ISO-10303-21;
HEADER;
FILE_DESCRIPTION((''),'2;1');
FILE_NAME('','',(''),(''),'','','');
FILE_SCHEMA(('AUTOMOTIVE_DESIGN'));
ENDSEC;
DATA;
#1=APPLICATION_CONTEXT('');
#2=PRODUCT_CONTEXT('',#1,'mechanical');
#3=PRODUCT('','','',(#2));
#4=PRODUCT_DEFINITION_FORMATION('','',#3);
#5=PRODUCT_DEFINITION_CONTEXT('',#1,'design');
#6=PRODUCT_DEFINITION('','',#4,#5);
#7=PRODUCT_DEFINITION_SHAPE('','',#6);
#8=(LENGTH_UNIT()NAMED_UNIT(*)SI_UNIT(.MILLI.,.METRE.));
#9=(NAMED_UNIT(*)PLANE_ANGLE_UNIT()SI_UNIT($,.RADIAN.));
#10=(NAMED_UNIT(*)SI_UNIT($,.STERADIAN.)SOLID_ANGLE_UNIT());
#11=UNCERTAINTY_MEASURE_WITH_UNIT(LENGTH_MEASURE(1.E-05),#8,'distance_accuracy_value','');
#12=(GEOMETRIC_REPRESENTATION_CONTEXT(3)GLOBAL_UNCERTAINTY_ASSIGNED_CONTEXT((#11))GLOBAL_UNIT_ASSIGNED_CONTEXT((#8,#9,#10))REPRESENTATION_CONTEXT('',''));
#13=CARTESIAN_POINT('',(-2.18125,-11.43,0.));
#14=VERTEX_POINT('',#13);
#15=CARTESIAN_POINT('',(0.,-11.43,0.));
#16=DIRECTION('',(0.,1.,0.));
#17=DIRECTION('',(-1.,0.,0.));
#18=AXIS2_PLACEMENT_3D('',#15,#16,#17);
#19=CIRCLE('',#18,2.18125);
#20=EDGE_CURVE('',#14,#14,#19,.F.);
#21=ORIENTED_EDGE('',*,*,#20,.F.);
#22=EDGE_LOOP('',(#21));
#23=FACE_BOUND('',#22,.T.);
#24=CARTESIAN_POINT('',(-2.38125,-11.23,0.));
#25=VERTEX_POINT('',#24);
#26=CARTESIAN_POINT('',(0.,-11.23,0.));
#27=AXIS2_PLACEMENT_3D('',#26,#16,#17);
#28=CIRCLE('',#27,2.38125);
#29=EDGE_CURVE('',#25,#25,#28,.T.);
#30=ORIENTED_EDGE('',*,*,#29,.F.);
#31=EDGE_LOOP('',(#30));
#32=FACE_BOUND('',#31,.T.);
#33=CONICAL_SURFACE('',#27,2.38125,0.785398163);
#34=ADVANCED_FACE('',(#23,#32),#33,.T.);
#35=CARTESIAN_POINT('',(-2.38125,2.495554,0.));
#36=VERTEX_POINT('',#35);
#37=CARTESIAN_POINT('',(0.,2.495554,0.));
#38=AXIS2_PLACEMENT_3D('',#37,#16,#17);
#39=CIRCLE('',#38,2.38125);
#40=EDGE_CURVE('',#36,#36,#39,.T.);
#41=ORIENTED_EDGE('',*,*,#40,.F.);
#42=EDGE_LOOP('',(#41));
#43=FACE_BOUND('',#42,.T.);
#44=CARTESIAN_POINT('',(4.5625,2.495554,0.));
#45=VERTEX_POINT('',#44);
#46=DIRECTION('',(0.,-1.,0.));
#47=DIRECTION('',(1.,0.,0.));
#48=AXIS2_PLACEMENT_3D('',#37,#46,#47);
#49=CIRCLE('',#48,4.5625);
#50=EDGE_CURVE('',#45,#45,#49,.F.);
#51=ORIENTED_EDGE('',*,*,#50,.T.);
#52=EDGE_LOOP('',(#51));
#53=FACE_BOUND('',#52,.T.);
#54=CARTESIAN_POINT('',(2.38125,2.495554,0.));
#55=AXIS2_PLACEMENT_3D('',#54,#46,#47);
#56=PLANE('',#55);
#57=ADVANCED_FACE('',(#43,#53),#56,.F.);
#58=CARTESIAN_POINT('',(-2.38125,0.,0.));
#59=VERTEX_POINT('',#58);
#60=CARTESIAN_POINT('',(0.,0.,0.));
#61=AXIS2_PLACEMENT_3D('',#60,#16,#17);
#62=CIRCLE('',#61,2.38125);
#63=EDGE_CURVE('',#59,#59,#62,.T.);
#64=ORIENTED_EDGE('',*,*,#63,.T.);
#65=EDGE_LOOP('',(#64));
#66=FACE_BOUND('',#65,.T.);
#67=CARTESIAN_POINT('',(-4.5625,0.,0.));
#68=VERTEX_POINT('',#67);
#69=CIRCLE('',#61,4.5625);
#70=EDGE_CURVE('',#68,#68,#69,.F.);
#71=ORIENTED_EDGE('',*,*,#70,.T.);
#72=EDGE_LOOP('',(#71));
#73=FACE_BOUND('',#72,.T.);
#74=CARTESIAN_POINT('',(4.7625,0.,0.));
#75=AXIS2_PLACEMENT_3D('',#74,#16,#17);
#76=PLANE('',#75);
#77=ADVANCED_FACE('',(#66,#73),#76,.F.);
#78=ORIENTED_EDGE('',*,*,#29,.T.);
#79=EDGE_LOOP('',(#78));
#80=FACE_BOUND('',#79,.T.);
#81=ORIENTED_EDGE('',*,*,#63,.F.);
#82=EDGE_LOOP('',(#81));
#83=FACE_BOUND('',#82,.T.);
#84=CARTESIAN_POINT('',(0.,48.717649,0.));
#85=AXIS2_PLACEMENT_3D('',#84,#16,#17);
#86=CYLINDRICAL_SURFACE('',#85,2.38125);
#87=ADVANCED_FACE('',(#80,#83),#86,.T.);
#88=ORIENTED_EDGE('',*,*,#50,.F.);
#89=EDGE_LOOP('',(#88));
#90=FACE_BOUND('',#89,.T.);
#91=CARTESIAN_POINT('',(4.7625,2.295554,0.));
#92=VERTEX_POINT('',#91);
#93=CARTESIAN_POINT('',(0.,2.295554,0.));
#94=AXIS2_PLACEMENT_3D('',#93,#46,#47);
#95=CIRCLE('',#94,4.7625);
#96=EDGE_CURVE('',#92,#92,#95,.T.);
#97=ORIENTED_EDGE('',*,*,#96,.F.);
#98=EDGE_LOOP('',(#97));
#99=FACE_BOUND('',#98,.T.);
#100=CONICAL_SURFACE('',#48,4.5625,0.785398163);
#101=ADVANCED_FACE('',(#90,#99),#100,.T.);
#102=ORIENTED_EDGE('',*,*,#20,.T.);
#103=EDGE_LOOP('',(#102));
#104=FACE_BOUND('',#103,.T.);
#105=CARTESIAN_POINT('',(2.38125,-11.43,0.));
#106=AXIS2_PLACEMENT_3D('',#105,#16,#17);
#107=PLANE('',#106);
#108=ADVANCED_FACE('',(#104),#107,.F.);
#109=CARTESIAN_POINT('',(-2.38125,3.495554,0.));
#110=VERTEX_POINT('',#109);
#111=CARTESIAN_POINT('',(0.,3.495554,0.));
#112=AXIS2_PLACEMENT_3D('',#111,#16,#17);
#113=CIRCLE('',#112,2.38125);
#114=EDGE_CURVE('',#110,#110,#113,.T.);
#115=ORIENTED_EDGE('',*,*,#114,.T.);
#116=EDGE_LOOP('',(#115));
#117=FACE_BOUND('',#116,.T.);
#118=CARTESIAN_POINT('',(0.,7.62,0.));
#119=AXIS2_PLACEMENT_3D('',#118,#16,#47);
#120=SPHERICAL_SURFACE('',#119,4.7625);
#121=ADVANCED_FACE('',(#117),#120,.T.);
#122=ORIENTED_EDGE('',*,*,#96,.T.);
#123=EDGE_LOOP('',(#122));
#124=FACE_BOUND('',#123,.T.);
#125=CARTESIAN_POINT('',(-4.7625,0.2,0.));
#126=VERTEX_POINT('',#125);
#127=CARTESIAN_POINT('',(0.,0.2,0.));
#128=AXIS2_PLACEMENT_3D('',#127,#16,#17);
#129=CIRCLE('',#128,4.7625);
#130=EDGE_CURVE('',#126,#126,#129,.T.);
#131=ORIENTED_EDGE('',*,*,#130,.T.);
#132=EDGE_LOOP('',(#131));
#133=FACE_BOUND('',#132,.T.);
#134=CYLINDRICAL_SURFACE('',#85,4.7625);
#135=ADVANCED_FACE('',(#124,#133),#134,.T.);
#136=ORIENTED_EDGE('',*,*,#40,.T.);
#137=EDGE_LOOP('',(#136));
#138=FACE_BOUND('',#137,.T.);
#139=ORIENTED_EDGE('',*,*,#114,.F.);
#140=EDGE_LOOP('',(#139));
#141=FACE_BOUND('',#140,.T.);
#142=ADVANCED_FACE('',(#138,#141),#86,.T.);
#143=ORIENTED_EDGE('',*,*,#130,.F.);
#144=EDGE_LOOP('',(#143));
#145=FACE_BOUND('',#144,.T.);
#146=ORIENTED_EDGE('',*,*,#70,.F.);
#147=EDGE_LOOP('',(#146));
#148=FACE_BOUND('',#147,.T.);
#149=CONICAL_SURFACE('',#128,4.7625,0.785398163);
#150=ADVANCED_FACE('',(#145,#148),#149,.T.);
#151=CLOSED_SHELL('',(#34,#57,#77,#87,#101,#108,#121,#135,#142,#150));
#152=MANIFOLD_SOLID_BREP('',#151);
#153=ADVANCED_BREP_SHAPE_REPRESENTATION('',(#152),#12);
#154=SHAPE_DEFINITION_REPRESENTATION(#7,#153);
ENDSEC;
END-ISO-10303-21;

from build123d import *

# Parameters (mm, degrees)
CHAMFER1_SIZE = 0.2


with BuildPart() as part:
    # Sketch1 → Revolve1 (revolve)
    with BuildSketch(Plane.XY, mode=Mode.PRIVATE) as revolve1_sk:
        with BuildLine():
            Line((2.38125, 3.495554014), (2.38125, 2.495554014))
            Line((2.38125, 2.495554014), (4.7625, 2.495554014))
            Line((4.7625, 2.495554014), (4.7625, 0))
            Line((4.7625, 0), (2.38125, 0))
            Line((2.38125, 0), (2.38125, -11.43))
            Line((2.38125, -11.43), (0, -11.43))
            Line((0, -11.43), (0, 12.3825))
            ThreePointArc((0, 12.3825), (4.600221748, 8.852625702), (2.38125, 3.495554014))
        make_face()
    revolve(revolve1_sk.sketch.rotate(Axis((0, 48.717648678, 0), (0, -1, 0)), 180), axis=Axis((0, 48.717648678, 0), (0, -1, 0)))  # turned: the seam where the file's is

    # Chamfer1
    chamfer1_edges = [part.edges().sort_by_distance(p)[0] for p in [
        (2.38125, -11.43, 0),
        (4.7625, 0, 0),
        (4.7625, 2.495554014, 0),
    ]]
    chamfer(chamfer1_edges, length=CHAMFER1_SIZE)


solid = part.part
